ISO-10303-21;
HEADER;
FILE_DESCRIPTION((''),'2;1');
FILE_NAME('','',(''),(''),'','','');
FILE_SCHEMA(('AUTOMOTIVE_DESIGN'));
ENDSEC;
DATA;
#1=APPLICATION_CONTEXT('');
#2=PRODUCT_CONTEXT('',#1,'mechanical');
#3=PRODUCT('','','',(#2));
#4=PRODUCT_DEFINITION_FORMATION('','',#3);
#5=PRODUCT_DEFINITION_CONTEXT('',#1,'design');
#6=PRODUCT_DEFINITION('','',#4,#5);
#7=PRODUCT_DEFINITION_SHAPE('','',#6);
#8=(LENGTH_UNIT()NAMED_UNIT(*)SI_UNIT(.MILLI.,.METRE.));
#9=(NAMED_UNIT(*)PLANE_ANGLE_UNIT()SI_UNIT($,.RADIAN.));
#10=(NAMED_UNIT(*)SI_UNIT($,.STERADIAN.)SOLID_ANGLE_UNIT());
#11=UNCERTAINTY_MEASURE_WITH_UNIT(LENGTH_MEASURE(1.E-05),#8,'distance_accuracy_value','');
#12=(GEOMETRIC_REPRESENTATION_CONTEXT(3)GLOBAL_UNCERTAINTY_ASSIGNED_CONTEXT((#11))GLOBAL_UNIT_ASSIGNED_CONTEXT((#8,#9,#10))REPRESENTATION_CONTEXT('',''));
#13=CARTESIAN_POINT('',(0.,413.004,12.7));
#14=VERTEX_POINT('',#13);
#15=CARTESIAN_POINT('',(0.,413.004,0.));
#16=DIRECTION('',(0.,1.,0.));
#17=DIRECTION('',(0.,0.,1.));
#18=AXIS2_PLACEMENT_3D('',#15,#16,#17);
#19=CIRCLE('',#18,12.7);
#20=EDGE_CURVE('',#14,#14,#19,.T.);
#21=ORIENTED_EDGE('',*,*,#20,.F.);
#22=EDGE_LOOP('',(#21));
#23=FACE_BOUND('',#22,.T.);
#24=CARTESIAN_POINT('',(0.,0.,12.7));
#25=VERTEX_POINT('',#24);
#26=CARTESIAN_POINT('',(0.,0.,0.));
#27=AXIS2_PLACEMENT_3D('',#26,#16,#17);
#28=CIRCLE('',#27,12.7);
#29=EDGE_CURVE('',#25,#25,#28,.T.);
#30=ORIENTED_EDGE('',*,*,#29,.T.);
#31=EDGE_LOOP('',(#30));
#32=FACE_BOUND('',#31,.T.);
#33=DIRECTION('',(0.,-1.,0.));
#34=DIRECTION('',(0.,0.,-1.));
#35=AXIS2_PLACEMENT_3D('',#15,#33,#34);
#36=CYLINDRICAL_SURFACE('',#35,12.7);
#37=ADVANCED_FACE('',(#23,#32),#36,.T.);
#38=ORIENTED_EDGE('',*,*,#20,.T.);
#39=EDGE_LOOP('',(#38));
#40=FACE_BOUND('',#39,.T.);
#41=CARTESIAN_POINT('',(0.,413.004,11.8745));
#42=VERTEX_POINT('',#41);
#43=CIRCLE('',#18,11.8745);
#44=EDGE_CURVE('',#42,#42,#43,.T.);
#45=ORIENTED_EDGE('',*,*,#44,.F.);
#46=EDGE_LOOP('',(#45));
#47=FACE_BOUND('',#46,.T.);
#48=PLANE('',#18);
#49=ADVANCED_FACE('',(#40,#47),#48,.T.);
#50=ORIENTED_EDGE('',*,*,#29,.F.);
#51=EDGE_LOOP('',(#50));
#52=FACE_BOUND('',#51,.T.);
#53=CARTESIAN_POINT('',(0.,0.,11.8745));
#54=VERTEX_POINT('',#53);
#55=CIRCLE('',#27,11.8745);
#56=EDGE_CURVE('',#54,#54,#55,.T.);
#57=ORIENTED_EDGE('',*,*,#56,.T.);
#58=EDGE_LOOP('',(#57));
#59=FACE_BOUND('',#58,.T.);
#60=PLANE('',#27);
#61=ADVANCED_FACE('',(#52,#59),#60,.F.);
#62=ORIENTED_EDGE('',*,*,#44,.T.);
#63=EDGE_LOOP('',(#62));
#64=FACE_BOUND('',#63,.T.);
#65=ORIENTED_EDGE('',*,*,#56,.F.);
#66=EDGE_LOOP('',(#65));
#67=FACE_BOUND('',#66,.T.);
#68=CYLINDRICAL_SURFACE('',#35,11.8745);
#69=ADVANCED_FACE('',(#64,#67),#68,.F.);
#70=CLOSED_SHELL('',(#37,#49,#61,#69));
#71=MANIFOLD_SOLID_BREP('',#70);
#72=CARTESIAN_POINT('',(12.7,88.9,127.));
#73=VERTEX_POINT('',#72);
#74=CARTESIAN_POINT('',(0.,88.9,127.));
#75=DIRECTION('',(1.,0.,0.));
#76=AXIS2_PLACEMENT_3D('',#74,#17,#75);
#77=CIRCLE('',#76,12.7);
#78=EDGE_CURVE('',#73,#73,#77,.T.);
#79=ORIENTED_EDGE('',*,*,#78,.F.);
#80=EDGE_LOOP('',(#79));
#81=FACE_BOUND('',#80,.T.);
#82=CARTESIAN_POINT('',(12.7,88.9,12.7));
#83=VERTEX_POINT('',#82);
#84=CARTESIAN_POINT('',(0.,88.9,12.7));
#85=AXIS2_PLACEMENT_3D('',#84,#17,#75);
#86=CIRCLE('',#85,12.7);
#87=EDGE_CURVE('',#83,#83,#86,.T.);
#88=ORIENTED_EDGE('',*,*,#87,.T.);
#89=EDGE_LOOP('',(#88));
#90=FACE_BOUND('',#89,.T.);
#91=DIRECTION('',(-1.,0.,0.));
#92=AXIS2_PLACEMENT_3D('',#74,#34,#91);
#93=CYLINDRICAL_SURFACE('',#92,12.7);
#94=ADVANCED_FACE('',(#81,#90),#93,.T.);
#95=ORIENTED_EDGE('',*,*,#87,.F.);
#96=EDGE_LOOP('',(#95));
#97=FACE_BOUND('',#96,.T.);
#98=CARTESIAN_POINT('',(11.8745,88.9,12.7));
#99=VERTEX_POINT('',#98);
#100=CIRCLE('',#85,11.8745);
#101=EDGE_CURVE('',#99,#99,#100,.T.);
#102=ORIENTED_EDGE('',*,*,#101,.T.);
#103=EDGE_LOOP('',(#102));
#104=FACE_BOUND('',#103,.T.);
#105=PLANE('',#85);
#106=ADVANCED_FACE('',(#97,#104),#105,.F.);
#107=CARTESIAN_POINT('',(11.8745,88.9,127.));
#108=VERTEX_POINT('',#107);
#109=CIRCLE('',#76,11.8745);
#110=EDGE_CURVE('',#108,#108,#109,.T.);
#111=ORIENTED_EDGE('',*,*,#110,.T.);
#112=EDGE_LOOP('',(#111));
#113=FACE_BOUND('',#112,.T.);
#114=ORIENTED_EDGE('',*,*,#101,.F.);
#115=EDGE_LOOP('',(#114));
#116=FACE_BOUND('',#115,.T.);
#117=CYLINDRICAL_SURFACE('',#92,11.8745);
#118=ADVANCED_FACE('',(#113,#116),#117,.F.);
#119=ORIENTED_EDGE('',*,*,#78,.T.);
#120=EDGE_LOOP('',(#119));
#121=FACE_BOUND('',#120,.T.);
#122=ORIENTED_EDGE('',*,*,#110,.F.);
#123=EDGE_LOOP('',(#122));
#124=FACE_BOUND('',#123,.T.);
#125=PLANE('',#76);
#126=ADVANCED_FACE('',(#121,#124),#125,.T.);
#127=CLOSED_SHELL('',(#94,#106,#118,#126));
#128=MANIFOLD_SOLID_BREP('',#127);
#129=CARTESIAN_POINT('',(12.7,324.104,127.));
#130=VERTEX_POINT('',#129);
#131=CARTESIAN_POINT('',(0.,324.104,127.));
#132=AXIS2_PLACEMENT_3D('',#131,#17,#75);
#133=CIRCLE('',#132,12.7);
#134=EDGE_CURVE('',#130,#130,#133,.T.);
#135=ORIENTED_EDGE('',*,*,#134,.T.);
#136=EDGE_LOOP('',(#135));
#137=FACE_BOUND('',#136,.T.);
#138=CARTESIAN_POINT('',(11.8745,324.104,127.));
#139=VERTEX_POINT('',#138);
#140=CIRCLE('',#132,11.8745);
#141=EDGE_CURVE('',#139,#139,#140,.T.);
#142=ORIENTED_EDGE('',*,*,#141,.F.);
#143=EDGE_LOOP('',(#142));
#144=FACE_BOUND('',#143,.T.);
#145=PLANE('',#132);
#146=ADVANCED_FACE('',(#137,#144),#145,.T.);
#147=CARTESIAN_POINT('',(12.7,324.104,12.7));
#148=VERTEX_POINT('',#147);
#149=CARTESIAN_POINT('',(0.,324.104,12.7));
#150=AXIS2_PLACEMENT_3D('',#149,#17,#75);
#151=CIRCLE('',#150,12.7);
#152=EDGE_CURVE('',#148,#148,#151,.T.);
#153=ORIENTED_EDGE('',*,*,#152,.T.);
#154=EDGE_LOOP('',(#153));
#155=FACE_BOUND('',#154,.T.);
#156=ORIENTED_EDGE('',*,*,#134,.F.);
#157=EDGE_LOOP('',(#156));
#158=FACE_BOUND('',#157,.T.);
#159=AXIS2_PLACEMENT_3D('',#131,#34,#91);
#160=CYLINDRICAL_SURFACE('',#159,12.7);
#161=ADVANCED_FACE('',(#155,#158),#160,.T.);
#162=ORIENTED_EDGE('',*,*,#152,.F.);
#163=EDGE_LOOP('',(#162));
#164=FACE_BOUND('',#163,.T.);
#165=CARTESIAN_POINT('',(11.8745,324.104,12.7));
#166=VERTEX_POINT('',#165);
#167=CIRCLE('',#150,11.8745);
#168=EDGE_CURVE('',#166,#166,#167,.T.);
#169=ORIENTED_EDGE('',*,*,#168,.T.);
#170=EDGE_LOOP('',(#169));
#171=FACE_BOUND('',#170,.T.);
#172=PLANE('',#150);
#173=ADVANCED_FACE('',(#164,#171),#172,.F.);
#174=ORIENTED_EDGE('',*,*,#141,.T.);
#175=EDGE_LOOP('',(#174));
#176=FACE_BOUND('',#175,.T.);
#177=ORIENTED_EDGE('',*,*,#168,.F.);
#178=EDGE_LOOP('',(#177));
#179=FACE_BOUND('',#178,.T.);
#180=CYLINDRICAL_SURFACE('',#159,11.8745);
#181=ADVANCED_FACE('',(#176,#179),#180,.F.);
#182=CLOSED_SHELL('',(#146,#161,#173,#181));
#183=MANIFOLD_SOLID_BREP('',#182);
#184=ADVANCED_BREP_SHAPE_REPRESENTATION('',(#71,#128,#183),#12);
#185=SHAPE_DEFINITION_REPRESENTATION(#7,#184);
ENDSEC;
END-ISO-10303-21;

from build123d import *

# Parameters (mm, degrees)
SKETCH1_R             = 12.7
SKETCH1_R_2           = 11.8745
BOSS_EXTRUDE1_DEPTH   = 413.004
SKETCH2_R             = 12.7
SKETCH2_R_2           = 11.8745
BOSS_EXTRUDE2_DEPTH   = 114.3
BOSS_EXTRUDE2_2_DEPTH = 114.3


with BuildPart() as part:
    # Sketch1 → Boss-Extrude1 (new body)
    with BuildSketch(Plane(origin=(0, 0, 0), x_dir=(1, 0, 0), z_dir=(0, 1, 0))):
        with Locations(Location((0, 0, 0), (0, 0, 270))):
            Circle(SKETCH1_R)
        with Locations(Location((0, 0, 0), (0, 0, 270))):
            Circle(SKETCH1_R_2, mode=Mode.SUBTRACT)
    extrude(amount=BOSS_EXTRUDE1_DEPTH)


with BuildPart() as body_2:
    # Sketch2 → Boss-Extrude2 (new body)
    with BuildSketch(Plane.XY.offset(12.7)):
        with Locations((0, 324.104)):
            Circle(SKETCH2_R)
        with Locations((0, 324.104)):
            Circle(SKETCH2_R_2, mode=Mode.SUBTRACT)
    extrude(amount=BOSS_EXTRUDE2_DEPTH)


with BuildPart() as body_3:
    # Sketch2 → Boss-Extrude2 2 (new body)
    with BuildSketch(Plane.XY.offset(12.7)):
        with Locations((0, 88.9)):
            Circle(SKETCH2_R)
        with Locations((0, 88.9)):
            Circle(SKETCH2_R_2, mode=Mode.SUBTRACT)
    extrude(amount=BOSS_EXTRUDE2_2_DEPTH)


solid = Compound([part.part, body_2.part, body_3.part])
